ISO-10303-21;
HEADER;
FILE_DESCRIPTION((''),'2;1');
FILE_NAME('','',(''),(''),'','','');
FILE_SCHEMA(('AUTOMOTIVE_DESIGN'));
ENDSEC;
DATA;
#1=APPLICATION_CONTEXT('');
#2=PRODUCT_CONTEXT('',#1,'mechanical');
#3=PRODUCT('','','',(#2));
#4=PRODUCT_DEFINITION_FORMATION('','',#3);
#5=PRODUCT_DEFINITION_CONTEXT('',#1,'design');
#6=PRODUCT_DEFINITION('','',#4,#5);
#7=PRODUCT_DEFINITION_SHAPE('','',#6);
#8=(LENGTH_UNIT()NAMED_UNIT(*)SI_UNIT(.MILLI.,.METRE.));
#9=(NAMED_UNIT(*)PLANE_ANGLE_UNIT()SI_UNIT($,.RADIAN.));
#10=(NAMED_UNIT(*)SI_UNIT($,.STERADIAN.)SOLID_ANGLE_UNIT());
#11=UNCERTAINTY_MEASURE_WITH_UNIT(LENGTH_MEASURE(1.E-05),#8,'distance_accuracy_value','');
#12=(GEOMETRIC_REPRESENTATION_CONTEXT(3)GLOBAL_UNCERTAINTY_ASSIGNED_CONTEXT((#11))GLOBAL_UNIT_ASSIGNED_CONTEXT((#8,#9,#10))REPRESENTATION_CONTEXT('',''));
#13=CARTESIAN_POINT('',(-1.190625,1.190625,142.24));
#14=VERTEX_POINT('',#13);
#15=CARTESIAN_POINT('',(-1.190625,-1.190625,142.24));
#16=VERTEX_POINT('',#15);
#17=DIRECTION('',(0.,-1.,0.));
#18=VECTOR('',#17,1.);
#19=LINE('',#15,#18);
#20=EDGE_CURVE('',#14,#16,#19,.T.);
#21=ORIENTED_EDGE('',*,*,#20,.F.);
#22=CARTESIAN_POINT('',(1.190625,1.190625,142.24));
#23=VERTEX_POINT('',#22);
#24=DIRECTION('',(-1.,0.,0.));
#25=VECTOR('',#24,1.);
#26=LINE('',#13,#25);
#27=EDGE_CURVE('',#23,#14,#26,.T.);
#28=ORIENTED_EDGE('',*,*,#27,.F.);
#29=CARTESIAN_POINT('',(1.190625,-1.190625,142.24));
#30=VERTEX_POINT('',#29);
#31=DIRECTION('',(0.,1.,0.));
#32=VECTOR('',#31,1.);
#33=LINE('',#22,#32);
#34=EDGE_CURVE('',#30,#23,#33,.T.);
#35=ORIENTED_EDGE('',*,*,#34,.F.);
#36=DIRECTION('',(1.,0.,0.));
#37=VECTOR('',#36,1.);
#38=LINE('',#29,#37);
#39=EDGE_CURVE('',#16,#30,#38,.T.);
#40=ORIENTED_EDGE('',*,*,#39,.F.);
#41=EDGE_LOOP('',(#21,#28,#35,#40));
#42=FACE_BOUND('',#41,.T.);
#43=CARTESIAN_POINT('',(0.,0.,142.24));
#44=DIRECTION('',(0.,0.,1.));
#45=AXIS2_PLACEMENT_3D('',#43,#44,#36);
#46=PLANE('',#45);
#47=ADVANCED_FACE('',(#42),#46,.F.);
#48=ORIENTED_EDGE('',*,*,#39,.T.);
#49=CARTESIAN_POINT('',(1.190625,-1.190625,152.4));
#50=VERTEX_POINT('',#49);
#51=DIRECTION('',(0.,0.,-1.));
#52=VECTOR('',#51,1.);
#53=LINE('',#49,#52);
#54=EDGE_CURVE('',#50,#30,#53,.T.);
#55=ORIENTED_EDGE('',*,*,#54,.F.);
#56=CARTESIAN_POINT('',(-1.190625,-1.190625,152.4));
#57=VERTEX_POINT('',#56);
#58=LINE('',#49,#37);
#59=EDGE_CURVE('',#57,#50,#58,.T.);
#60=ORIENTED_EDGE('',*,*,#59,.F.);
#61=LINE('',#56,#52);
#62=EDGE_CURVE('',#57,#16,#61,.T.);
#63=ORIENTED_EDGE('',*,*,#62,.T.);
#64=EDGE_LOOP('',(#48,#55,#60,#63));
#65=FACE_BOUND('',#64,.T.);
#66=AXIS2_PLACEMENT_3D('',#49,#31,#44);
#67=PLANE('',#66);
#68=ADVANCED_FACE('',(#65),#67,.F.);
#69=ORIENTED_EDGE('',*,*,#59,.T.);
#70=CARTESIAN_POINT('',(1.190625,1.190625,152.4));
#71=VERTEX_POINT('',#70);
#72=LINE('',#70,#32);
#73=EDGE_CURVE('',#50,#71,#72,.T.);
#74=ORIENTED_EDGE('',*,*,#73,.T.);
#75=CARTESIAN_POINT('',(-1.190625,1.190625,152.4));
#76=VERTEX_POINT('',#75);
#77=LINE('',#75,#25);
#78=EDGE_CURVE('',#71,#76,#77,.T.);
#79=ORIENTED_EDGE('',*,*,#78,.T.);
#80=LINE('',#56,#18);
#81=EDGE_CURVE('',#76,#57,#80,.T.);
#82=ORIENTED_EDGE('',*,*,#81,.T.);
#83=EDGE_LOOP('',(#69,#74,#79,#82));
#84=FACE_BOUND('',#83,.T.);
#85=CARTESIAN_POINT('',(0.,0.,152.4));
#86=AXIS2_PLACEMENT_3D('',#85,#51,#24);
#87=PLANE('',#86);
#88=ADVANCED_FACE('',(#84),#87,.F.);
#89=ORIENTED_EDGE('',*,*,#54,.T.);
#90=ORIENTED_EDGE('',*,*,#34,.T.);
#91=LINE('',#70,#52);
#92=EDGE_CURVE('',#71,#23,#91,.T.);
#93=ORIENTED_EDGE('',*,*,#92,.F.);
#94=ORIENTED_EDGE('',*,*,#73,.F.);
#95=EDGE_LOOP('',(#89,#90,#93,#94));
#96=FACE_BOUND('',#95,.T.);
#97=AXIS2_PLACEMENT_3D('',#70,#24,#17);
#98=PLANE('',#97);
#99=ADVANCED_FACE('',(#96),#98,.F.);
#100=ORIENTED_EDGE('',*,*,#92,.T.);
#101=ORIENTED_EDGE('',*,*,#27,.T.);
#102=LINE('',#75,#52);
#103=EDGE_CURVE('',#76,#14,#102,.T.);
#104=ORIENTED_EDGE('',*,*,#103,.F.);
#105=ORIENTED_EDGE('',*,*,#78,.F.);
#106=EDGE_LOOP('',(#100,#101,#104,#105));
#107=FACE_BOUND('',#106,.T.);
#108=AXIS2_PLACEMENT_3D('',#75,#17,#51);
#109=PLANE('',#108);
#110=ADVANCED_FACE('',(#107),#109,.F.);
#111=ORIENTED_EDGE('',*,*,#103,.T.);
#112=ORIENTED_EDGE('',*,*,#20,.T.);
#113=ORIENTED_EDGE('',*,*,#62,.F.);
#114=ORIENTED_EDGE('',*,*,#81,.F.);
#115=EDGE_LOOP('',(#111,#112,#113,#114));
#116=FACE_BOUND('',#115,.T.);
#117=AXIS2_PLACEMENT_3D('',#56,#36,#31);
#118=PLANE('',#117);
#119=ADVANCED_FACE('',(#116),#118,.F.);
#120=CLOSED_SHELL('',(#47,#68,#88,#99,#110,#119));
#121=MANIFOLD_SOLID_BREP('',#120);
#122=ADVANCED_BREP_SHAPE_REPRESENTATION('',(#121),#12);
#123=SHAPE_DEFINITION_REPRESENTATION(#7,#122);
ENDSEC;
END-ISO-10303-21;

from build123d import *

# Parameters (mm, degrees)
BOSS_EXTRUDE1_DEPTH      = 152.4
BOSS_EXTRUDE1_DEPTH_BACK = 152.4
SKETCH3_W                = 2.38125
SKETCH3_H                = 2.38125
SKETCH4_R                = 8.118796588
CUT_EXTRUDE1_DEPTH       = 295.644811215


with BuildPart() as part:
    # Sketch3 → Boss-Extrude1 (new, two sides: drawn at the far end of the back side and taken through both)
    with BuildSketch(Plane.XY.offset(-BOSS_EXTRUDE1_DEPTH_BACK)):
        Rectangle(SKETCH3_W, SKETCH3_H)
    extrude(amount=BOSS_EXTRUDE1_DEPTH + BOSS_EXTRUDE1_DEPTH_BACK)

    # Sketch4 → Cut-Extrude1 (cut, through all)
    with BuildSketch(Plane.XY.offset(142.24)):
        Circle(SKETCH4_R)
    extrude(amount=-CUT_EXTRUDE1_DEPTH, mode=Mode.SUBTRACT)


solid = part.part
